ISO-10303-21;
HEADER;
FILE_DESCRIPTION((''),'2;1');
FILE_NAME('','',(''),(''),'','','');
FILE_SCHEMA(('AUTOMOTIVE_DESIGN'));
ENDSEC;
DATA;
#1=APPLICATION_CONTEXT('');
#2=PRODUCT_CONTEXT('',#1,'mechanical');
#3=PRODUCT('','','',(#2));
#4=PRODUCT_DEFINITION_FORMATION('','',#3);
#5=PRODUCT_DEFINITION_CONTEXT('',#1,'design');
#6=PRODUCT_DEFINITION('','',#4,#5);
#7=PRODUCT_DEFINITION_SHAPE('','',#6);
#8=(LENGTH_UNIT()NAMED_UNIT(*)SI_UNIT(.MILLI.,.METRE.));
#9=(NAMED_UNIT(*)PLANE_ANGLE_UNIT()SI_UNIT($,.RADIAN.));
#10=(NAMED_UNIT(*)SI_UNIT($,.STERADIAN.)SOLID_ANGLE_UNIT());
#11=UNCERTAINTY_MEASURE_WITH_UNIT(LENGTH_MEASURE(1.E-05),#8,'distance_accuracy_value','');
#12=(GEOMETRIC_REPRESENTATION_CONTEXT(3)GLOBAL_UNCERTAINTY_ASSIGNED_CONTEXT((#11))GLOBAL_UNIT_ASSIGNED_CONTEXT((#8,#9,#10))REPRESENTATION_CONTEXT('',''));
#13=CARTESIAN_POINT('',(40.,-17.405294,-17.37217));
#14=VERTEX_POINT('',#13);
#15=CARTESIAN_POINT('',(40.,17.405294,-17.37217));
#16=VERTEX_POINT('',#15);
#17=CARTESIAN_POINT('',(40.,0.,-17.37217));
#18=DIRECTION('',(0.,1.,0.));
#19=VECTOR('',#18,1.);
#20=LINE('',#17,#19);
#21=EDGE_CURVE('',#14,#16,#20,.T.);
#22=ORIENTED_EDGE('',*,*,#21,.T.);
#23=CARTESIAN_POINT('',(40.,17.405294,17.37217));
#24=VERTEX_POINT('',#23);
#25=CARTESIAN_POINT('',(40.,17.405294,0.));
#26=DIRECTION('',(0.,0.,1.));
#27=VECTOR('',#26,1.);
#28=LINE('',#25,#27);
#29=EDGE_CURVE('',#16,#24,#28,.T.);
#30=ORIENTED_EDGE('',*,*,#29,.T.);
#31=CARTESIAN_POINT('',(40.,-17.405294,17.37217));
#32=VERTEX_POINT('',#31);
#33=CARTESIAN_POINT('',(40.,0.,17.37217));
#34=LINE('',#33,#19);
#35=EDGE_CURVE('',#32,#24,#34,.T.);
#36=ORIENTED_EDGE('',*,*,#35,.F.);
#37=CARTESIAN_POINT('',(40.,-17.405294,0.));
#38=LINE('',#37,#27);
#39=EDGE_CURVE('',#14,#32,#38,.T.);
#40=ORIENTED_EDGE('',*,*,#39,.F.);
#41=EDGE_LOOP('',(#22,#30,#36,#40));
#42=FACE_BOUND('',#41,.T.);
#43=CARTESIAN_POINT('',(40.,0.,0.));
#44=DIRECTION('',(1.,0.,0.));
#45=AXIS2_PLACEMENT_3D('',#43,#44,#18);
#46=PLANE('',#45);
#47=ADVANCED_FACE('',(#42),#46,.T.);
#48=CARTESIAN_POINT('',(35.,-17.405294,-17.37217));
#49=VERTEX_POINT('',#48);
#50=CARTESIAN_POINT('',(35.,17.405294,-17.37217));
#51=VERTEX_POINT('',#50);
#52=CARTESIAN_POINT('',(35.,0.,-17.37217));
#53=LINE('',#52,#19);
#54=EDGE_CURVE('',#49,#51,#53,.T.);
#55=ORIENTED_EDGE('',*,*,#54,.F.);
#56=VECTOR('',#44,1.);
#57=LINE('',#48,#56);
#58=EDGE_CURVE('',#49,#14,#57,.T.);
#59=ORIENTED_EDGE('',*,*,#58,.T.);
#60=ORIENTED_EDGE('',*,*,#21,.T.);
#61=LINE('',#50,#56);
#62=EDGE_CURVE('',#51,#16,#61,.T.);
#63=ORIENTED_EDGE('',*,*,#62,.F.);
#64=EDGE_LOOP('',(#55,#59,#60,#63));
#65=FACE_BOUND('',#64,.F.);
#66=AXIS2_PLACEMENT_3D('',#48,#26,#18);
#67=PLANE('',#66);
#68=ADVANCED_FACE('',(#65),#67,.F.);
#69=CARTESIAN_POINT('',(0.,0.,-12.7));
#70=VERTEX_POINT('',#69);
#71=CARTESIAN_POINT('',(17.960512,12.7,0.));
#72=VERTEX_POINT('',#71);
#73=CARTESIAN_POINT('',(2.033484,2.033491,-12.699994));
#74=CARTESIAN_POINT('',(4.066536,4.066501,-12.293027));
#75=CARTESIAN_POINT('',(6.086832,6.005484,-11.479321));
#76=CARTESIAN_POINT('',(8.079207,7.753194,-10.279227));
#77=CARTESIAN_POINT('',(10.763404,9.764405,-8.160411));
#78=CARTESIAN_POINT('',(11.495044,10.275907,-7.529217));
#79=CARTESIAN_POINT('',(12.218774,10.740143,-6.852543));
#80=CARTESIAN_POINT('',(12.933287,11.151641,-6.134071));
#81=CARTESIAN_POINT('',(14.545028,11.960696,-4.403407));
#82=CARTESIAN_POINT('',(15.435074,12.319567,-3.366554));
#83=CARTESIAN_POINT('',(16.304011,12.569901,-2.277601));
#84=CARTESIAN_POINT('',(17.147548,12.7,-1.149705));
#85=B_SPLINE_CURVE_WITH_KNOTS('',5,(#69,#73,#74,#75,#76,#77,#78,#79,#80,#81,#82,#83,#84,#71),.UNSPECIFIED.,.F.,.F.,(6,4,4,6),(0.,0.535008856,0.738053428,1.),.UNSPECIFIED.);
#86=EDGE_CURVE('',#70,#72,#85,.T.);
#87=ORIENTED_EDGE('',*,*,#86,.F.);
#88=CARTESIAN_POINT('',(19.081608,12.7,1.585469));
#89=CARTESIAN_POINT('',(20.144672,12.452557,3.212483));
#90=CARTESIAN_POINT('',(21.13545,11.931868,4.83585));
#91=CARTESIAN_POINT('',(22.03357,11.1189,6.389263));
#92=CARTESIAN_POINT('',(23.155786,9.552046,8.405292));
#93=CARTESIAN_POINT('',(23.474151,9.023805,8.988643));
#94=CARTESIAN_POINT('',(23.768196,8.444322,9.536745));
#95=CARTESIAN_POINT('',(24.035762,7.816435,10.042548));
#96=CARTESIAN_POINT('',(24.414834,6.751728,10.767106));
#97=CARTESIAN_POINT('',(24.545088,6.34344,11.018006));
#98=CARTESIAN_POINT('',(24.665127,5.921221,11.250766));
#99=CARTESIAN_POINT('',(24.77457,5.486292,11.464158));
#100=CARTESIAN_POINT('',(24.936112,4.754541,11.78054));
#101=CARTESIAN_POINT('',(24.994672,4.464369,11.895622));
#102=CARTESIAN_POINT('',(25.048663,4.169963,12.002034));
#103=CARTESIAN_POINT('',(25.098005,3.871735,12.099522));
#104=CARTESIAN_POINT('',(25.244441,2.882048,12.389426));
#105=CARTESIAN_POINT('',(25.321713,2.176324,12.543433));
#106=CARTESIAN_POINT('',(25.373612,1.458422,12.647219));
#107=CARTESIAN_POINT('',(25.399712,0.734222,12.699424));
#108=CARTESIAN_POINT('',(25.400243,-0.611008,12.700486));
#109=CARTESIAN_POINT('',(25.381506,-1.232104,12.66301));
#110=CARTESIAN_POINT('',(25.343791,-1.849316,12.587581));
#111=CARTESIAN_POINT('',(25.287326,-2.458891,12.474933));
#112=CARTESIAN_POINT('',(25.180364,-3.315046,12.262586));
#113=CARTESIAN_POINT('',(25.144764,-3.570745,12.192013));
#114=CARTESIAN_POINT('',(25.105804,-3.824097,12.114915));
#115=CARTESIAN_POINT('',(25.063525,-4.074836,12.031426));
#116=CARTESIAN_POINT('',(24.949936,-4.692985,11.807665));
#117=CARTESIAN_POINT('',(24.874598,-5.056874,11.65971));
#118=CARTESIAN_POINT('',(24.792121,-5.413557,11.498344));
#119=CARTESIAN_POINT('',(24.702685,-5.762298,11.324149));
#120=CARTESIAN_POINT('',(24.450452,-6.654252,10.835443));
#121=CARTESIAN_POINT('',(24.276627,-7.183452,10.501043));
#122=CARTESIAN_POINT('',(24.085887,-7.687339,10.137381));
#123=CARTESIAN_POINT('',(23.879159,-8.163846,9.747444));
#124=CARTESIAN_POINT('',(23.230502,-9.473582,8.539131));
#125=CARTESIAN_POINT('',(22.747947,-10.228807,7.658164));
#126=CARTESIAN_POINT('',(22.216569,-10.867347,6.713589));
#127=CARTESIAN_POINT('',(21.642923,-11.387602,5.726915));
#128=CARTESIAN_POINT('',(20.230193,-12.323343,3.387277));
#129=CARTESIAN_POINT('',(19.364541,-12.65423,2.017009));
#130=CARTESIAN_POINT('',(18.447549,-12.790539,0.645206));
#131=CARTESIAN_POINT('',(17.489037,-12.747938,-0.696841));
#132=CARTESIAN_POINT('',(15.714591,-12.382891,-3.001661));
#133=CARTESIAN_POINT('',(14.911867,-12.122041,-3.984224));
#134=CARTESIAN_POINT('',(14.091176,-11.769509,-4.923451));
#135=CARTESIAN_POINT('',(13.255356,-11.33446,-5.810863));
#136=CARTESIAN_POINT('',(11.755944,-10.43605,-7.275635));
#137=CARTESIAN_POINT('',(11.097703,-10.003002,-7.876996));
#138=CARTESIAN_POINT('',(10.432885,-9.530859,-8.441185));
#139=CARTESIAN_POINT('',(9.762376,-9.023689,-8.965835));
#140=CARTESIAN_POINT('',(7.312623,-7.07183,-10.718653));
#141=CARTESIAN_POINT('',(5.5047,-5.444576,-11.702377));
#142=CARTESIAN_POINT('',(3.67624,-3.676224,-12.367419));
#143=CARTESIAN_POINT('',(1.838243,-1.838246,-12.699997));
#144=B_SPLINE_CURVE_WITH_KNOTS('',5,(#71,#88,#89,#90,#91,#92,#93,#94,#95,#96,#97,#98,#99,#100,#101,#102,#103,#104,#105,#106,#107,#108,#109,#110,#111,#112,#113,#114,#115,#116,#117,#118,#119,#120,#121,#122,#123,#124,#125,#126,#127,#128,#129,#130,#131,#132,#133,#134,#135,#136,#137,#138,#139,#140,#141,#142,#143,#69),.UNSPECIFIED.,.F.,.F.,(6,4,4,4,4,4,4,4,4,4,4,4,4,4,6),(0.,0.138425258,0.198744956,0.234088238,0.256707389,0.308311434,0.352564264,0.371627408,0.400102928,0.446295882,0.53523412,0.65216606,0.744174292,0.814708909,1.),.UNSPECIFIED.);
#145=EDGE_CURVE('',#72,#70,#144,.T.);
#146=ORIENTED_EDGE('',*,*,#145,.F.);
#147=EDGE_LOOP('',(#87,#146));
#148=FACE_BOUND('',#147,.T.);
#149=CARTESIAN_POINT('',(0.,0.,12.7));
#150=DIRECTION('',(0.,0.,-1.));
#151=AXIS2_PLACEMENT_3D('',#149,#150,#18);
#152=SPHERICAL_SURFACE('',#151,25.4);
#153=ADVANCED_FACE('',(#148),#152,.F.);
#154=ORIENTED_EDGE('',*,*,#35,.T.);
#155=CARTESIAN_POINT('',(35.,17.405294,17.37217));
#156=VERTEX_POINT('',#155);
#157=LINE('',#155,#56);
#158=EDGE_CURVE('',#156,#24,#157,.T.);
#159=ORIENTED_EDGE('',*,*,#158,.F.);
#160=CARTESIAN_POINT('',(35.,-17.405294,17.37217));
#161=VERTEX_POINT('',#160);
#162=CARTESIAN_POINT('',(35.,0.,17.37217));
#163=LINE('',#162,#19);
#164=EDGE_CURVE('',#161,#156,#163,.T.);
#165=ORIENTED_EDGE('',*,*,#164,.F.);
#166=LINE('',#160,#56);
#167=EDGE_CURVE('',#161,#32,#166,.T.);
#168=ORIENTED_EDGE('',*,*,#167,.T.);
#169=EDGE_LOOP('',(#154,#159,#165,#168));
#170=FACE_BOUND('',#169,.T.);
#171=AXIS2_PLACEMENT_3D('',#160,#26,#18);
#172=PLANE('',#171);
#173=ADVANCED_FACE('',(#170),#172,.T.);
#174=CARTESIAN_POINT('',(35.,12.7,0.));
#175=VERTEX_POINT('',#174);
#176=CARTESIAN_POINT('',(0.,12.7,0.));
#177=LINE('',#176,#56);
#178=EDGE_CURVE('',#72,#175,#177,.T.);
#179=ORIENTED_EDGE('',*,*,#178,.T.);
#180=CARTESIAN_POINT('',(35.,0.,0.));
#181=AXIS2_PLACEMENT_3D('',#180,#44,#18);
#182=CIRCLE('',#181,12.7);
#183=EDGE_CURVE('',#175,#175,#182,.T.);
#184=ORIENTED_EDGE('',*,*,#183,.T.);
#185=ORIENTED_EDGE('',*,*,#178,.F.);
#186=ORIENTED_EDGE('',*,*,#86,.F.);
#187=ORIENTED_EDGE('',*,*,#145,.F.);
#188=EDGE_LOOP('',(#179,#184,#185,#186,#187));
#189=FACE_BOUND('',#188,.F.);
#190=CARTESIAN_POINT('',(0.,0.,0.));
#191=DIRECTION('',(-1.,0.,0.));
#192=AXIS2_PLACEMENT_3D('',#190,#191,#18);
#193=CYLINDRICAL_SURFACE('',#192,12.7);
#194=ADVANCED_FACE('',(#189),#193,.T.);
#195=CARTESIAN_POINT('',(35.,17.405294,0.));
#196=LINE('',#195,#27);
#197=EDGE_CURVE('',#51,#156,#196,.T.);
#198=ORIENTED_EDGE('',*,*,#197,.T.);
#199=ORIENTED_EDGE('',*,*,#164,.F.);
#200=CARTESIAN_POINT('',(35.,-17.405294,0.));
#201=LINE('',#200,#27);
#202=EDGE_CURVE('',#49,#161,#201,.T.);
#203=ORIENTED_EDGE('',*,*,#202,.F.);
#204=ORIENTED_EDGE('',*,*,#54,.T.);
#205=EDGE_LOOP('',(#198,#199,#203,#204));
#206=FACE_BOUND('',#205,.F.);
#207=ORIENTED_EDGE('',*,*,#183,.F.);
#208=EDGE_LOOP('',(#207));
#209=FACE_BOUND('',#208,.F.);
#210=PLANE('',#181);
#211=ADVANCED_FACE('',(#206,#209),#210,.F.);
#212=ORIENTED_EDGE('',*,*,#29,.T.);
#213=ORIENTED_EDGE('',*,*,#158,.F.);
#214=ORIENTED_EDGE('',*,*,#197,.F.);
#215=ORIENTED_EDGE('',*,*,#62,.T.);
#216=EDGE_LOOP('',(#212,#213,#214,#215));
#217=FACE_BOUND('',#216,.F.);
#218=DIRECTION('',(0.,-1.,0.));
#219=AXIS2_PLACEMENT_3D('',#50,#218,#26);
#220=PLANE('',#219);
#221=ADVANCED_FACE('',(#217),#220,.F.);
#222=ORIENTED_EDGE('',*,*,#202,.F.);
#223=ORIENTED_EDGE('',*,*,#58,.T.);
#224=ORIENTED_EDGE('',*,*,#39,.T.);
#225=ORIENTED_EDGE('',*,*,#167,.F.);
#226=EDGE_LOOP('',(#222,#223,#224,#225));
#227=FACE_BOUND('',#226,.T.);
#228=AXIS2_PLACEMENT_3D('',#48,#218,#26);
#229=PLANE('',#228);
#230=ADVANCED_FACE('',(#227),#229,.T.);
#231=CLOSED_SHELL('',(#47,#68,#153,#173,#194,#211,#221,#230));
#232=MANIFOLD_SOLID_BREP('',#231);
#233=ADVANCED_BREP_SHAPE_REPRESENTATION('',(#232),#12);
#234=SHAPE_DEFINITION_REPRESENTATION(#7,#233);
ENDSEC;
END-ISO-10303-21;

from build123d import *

# Parameters (mm, degrees)
F0_R     = 12.7
F1_DEPTH = 35
F2_W     = 34.810588
F2_H     = 34.74434
F3_DEPTH = 5


with BuildPart() as f1:
    # F0 (on Right) → F1 (new body)
    with BuildSketch(Plane.YZ):
        Circle(F0_R)
    extrude(amount=F1_DEPTH)

    # F2 (on face) → F3 (join)
    with BuildSketch(Plane.YZ.offset(35)):
        Rectangle(F2_W, F2_H)
    extrude(amount=F3_DEPTH)

    # F4 (on face) → F5 (revolve, cut)
    with BuildSketch(Plane(origin=(0, 0, 0), x_dir=(0, -1, 0), z_dir=(-1, 0, 0))):
        with BuildLine():
            ThreePointArc((0, 38.1), (-25.4, 12.7), (0, -12.7))
            Line((0, -12.7), (0, 38.1))
        make_face()
    revolve(axis=Axis((0, 0, 12.7), (0, 0, 1)), mode=Mode.SUBTRACT)


solid = f1.part
